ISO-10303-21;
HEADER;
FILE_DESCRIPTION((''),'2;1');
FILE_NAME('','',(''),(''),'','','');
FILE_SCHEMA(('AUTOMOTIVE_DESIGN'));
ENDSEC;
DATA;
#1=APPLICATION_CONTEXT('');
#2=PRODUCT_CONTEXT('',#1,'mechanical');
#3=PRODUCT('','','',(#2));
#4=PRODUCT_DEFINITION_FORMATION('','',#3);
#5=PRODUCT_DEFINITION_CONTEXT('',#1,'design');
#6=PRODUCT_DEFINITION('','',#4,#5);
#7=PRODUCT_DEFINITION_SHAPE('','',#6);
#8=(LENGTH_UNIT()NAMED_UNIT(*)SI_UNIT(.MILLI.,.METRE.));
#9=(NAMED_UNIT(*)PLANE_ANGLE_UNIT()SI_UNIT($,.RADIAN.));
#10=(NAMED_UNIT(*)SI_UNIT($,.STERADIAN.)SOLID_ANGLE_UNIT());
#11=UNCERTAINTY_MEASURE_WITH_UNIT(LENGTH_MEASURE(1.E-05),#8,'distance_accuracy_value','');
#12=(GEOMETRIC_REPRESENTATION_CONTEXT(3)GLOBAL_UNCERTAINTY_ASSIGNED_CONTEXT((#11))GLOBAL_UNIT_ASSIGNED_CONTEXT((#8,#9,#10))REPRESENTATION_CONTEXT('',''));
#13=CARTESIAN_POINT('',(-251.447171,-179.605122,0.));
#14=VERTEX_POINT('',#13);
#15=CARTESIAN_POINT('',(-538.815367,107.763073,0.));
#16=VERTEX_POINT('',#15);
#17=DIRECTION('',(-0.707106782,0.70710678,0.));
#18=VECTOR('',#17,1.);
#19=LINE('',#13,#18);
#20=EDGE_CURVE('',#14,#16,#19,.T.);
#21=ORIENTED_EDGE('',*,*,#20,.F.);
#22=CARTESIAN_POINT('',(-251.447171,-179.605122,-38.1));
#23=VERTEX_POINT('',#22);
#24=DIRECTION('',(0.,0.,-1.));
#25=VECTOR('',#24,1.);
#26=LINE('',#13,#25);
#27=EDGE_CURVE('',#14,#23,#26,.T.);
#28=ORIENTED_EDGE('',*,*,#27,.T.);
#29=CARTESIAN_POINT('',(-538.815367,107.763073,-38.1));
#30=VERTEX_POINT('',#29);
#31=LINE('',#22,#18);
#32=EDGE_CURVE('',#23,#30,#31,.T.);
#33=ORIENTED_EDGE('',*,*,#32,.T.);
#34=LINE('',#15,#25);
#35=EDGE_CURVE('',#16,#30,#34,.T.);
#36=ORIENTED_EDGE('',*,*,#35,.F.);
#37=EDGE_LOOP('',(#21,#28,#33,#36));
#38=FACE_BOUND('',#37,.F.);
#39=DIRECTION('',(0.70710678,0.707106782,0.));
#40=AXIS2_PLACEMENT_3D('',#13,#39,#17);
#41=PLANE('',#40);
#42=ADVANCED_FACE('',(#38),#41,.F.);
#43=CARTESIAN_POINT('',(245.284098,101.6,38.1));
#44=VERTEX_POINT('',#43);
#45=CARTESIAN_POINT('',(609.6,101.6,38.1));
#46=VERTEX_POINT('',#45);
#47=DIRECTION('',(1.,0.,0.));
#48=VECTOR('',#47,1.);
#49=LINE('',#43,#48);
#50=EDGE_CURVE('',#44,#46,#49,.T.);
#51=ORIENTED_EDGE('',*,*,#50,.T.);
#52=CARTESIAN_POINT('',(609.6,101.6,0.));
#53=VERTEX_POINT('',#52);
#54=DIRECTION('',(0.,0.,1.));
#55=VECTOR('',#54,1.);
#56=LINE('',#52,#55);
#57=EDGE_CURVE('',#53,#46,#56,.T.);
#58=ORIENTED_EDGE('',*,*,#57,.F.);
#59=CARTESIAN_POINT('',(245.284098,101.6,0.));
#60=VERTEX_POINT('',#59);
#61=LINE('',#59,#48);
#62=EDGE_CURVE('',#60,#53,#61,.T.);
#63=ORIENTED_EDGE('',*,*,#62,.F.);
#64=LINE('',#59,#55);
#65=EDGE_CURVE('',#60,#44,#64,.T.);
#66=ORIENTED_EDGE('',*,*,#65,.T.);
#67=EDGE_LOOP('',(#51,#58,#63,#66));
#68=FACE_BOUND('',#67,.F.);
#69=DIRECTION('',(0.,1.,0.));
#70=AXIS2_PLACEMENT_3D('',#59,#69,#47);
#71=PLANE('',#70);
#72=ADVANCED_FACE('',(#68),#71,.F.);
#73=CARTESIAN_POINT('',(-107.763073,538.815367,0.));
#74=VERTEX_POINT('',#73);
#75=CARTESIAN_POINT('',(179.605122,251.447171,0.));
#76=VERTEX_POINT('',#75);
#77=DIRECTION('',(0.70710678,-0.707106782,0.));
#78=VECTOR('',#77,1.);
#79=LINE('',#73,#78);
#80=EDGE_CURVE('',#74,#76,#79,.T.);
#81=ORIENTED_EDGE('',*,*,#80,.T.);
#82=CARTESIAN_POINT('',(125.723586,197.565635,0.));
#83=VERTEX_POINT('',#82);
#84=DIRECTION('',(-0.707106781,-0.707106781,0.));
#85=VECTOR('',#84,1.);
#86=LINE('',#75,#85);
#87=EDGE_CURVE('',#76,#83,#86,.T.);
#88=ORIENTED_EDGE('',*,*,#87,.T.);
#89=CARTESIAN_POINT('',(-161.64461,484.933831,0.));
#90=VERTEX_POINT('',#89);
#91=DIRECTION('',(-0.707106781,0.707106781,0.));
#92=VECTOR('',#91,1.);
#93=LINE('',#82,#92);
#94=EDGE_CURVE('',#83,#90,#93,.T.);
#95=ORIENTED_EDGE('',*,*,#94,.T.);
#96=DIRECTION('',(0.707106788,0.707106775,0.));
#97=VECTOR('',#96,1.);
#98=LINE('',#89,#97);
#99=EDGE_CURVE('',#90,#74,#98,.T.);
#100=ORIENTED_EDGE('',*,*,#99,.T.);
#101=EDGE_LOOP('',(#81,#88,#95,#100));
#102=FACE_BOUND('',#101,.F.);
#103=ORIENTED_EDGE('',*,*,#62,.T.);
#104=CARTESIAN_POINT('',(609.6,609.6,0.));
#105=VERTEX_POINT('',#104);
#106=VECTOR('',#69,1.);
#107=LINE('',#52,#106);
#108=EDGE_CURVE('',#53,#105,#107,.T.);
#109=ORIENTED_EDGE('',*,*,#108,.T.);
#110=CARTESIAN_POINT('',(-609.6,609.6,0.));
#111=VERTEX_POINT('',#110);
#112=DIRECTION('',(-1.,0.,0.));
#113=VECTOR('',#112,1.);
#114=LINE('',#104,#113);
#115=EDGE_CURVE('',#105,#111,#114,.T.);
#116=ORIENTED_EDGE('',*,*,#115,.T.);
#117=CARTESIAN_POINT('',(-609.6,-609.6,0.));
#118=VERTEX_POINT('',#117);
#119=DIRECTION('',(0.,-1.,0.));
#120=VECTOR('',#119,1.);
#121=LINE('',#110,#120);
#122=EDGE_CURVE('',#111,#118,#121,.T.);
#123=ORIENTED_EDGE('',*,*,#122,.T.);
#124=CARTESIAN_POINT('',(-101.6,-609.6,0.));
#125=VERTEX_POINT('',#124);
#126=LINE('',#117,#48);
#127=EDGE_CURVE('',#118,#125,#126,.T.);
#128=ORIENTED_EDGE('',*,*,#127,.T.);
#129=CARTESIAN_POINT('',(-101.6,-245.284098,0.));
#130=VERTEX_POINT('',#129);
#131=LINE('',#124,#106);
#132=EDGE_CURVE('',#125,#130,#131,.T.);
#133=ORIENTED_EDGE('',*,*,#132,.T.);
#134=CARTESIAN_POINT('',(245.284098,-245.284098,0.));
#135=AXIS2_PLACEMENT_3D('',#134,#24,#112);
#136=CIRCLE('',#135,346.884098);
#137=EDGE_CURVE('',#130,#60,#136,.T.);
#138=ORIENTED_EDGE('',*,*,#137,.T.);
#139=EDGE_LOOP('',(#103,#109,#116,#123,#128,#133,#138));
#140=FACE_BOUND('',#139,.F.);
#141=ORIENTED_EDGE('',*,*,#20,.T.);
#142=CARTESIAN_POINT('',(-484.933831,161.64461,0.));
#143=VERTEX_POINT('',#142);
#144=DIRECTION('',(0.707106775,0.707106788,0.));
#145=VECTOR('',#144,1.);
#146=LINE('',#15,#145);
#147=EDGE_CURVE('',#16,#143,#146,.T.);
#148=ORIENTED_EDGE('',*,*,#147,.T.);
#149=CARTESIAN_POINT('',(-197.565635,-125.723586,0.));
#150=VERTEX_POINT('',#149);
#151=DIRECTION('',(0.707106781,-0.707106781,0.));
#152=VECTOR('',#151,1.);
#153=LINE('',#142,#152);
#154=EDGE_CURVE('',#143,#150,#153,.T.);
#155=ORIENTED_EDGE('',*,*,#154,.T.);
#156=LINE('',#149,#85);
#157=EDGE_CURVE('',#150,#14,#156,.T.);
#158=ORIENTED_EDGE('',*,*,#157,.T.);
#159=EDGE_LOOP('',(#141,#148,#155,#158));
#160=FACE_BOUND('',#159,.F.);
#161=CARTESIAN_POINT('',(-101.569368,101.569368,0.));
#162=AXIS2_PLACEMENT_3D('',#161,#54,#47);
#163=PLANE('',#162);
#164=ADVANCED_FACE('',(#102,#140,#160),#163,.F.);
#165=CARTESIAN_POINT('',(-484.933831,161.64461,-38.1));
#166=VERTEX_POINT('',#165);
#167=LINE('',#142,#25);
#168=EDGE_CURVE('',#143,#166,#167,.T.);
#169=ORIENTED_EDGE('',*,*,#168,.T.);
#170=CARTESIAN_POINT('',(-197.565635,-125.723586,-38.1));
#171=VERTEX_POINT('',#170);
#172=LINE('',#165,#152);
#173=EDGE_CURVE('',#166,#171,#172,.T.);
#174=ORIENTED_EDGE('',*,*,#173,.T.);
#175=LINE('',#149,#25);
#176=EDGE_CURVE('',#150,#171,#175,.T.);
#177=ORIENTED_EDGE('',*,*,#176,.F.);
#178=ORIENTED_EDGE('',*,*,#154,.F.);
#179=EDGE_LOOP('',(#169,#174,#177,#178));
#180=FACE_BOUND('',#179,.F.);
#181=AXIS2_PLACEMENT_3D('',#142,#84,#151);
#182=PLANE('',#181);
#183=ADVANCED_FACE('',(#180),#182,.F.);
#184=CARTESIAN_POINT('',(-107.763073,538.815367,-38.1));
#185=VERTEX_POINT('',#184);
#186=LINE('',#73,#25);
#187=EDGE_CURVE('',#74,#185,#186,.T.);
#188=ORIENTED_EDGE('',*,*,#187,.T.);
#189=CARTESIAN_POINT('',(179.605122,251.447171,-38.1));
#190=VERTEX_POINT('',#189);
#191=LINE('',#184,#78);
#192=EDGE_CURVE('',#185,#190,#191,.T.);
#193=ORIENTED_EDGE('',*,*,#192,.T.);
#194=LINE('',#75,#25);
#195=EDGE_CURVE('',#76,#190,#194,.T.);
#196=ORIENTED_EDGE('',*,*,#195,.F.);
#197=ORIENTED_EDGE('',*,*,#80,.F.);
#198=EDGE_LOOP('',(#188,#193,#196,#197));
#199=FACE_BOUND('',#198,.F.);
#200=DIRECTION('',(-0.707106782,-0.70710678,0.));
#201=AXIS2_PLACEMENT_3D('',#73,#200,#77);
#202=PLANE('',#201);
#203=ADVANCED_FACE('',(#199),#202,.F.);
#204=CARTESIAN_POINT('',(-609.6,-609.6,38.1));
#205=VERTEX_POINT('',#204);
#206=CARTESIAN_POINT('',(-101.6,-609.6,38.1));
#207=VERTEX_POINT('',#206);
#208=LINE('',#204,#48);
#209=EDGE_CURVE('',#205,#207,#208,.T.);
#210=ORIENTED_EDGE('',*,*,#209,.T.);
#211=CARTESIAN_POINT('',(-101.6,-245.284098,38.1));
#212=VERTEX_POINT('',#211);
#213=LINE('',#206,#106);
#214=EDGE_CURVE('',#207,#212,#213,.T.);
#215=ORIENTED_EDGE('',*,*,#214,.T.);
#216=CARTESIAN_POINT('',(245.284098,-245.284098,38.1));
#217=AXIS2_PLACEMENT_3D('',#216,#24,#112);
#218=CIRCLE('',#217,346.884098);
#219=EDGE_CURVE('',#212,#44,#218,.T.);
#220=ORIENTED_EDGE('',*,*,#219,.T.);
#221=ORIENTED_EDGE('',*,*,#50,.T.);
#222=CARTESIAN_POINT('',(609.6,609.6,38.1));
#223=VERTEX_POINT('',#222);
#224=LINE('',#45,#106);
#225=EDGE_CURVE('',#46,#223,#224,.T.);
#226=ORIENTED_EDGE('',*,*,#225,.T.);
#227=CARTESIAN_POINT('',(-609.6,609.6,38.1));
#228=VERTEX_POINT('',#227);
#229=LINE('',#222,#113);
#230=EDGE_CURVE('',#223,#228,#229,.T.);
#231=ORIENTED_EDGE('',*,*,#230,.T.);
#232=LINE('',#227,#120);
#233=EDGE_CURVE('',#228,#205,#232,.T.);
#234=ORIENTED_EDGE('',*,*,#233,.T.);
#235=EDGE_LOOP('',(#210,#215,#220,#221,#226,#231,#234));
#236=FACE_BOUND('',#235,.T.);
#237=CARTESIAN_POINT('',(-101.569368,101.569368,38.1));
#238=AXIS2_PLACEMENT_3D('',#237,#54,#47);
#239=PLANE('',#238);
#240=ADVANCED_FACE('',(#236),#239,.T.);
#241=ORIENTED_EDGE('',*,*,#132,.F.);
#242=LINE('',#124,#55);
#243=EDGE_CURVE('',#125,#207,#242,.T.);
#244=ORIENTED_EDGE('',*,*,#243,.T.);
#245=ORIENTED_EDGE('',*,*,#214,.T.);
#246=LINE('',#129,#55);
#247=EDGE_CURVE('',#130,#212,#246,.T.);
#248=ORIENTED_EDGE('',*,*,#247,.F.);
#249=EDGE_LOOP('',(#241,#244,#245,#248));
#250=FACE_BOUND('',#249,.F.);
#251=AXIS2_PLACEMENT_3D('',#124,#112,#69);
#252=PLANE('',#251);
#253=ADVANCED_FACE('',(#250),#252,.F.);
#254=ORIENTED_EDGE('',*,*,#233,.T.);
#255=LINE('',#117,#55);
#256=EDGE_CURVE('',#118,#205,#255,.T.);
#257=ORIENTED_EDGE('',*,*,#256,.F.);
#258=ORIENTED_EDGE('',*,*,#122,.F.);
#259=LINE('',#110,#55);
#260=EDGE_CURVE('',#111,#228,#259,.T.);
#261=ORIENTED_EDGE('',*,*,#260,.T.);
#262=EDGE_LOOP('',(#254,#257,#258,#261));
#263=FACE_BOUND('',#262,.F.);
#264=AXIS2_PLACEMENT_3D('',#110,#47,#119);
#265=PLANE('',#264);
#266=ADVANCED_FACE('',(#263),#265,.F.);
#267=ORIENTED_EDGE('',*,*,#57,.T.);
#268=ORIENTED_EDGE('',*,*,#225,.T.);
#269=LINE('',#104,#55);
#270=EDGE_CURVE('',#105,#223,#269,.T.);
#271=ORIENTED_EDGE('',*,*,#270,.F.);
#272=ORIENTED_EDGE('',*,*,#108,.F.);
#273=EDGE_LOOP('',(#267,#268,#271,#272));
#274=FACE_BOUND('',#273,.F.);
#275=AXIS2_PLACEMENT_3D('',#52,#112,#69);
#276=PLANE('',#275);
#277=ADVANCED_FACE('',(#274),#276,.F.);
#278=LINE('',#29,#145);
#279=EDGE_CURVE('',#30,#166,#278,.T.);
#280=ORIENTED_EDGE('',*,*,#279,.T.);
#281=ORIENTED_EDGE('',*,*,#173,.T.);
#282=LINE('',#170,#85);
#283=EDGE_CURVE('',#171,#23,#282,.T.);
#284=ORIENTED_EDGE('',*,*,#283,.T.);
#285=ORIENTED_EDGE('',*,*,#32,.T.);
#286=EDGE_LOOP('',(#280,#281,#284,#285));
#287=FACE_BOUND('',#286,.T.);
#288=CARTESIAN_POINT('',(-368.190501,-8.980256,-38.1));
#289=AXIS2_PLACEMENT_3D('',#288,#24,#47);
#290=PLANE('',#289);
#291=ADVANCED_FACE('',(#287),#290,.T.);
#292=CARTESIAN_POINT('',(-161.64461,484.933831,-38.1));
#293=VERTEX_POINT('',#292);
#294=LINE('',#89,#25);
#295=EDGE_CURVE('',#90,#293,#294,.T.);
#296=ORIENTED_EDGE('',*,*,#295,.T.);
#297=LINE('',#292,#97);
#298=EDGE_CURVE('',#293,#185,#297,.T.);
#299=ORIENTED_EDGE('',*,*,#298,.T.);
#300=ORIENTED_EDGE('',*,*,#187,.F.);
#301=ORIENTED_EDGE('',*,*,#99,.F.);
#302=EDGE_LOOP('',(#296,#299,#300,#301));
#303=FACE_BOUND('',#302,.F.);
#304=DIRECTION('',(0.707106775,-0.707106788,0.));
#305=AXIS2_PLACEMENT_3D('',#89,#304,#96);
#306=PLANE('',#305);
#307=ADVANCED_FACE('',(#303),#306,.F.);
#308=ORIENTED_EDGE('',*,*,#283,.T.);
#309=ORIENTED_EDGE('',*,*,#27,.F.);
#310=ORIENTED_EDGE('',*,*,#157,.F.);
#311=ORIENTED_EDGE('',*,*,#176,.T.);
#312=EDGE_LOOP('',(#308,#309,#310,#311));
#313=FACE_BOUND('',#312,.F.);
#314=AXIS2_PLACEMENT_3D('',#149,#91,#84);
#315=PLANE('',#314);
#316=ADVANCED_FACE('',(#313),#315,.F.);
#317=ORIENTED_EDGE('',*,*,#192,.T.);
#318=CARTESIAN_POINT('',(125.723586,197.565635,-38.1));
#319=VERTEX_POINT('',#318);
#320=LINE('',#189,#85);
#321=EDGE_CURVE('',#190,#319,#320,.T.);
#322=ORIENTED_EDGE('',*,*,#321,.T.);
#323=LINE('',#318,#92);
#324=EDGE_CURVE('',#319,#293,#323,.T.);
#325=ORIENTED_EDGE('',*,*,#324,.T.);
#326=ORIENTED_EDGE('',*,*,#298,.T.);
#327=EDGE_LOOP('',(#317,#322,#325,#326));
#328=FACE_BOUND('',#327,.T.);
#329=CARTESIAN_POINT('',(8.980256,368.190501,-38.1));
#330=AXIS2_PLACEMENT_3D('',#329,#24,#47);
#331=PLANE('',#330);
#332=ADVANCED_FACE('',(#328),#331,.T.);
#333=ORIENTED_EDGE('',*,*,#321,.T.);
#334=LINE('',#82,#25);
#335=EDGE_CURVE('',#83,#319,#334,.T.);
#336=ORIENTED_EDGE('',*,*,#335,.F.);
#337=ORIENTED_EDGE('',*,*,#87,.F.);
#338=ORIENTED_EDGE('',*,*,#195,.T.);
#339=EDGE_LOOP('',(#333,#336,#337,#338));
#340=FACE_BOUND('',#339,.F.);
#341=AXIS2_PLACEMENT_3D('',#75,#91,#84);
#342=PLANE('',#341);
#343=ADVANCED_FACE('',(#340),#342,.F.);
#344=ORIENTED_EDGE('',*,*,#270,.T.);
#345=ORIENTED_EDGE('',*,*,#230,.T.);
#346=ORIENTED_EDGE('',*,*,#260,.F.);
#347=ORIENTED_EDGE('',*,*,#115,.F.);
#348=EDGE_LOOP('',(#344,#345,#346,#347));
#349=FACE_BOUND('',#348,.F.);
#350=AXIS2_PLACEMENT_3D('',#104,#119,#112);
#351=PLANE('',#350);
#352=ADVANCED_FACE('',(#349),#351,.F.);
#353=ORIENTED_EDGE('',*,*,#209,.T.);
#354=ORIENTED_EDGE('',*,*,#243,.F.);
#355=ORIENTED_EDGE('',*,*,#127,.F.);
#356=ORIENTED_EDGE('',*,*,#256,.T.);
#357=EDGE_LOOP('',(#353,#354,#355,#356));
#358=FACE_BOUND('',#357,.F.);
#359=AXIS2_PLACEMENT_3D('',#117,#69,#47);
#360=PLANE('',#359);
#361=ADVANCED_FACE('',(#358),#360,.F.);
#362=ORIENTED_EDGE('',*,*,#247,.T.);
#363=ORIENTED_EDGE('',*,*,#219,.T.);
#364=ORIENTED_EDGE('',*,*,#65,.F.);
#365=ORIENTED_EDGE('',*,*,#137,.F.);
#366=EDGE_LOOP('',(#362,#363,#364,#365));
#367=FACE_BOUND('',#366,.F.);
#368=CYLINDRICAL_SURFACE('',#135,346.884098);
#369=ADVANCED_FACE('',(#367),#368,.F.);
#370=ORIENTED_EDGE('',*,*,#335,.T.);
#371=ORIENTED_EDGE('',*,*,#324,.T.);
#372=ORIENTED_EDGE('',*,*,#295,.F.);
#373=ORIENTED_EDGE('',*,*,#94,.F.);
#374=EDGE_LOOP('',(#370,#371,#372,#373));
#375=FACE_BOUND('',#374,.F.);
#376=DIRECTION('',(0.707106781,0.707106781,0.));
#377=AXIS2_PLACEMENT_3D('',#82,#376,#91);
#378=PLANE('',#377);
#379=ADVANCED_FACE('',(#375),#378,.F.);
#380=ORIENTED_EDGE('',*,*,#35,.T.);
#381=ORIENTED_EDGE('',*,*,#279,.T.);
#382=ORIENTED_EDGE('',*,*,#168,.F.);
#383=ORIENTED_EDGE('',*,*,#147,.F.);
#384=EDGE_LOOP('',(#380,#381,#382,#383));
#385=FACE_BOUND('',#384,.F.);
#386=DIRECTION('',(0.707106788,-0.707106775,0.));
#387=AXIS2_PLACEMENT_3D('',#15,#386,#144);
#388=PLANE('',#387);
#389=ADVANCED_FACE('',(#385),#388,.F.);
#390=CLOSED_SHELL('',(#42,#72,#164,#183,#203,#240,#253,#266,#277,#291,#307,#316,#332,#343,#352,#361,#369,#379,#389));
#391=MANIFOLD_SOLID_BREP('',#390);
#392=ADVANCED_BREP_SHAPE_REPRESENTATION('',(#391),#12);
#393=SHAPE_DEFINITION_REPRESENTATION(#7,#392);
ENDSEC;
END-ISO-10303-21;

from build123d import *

# Parameters (mm, degrees)
F1_DEPTH = 38.1
F3_DEPTH = 38.1


with BuildPart() as f1:
    # F0 (on Top) → F1 (new body)
    with BuildSketch(Plane.XY):
        with BuildLine():
            Line((609.6, 101.6), (609.6, 609.6))
            Line((609.6, 609.6), (-609.6, 609.6))
            Line((-609.6, 609.6), (-609.6, -609.6))
            Line((-609.6, -609.6), (-101.6, -609.6))
            Line((-101.6, -609.6), (-101.6, -245.284098))
            ThreePointArc((-101.6, -245.284098), (0, 0), (245.284098, 101.6))
            Line((245.284098, 101.6), (609.6, 101.6))
        make_face()
    extrude(amount=F1_DEPTH)

    # F2 (on face) → F3 (join)
    with BuildSketch(Plane(origin=(0, 0, 0), x_dir=(1, 0, 0), z_dir=(0, 0, -1))):
        Polygon((-197.565635, 125.723586), (-251.447171, 179.605122), (-538.815367, -107.763073), (-484.933831, -161.64461), align=None)
        Polygon((-161.64461, -484.933831), (-107.763073, -538.815367), (179.605122, -251.447171), (125.723586, -197.565635), align=None)
    extrude(amount=F3_DEPTH)


solid = f1.part
